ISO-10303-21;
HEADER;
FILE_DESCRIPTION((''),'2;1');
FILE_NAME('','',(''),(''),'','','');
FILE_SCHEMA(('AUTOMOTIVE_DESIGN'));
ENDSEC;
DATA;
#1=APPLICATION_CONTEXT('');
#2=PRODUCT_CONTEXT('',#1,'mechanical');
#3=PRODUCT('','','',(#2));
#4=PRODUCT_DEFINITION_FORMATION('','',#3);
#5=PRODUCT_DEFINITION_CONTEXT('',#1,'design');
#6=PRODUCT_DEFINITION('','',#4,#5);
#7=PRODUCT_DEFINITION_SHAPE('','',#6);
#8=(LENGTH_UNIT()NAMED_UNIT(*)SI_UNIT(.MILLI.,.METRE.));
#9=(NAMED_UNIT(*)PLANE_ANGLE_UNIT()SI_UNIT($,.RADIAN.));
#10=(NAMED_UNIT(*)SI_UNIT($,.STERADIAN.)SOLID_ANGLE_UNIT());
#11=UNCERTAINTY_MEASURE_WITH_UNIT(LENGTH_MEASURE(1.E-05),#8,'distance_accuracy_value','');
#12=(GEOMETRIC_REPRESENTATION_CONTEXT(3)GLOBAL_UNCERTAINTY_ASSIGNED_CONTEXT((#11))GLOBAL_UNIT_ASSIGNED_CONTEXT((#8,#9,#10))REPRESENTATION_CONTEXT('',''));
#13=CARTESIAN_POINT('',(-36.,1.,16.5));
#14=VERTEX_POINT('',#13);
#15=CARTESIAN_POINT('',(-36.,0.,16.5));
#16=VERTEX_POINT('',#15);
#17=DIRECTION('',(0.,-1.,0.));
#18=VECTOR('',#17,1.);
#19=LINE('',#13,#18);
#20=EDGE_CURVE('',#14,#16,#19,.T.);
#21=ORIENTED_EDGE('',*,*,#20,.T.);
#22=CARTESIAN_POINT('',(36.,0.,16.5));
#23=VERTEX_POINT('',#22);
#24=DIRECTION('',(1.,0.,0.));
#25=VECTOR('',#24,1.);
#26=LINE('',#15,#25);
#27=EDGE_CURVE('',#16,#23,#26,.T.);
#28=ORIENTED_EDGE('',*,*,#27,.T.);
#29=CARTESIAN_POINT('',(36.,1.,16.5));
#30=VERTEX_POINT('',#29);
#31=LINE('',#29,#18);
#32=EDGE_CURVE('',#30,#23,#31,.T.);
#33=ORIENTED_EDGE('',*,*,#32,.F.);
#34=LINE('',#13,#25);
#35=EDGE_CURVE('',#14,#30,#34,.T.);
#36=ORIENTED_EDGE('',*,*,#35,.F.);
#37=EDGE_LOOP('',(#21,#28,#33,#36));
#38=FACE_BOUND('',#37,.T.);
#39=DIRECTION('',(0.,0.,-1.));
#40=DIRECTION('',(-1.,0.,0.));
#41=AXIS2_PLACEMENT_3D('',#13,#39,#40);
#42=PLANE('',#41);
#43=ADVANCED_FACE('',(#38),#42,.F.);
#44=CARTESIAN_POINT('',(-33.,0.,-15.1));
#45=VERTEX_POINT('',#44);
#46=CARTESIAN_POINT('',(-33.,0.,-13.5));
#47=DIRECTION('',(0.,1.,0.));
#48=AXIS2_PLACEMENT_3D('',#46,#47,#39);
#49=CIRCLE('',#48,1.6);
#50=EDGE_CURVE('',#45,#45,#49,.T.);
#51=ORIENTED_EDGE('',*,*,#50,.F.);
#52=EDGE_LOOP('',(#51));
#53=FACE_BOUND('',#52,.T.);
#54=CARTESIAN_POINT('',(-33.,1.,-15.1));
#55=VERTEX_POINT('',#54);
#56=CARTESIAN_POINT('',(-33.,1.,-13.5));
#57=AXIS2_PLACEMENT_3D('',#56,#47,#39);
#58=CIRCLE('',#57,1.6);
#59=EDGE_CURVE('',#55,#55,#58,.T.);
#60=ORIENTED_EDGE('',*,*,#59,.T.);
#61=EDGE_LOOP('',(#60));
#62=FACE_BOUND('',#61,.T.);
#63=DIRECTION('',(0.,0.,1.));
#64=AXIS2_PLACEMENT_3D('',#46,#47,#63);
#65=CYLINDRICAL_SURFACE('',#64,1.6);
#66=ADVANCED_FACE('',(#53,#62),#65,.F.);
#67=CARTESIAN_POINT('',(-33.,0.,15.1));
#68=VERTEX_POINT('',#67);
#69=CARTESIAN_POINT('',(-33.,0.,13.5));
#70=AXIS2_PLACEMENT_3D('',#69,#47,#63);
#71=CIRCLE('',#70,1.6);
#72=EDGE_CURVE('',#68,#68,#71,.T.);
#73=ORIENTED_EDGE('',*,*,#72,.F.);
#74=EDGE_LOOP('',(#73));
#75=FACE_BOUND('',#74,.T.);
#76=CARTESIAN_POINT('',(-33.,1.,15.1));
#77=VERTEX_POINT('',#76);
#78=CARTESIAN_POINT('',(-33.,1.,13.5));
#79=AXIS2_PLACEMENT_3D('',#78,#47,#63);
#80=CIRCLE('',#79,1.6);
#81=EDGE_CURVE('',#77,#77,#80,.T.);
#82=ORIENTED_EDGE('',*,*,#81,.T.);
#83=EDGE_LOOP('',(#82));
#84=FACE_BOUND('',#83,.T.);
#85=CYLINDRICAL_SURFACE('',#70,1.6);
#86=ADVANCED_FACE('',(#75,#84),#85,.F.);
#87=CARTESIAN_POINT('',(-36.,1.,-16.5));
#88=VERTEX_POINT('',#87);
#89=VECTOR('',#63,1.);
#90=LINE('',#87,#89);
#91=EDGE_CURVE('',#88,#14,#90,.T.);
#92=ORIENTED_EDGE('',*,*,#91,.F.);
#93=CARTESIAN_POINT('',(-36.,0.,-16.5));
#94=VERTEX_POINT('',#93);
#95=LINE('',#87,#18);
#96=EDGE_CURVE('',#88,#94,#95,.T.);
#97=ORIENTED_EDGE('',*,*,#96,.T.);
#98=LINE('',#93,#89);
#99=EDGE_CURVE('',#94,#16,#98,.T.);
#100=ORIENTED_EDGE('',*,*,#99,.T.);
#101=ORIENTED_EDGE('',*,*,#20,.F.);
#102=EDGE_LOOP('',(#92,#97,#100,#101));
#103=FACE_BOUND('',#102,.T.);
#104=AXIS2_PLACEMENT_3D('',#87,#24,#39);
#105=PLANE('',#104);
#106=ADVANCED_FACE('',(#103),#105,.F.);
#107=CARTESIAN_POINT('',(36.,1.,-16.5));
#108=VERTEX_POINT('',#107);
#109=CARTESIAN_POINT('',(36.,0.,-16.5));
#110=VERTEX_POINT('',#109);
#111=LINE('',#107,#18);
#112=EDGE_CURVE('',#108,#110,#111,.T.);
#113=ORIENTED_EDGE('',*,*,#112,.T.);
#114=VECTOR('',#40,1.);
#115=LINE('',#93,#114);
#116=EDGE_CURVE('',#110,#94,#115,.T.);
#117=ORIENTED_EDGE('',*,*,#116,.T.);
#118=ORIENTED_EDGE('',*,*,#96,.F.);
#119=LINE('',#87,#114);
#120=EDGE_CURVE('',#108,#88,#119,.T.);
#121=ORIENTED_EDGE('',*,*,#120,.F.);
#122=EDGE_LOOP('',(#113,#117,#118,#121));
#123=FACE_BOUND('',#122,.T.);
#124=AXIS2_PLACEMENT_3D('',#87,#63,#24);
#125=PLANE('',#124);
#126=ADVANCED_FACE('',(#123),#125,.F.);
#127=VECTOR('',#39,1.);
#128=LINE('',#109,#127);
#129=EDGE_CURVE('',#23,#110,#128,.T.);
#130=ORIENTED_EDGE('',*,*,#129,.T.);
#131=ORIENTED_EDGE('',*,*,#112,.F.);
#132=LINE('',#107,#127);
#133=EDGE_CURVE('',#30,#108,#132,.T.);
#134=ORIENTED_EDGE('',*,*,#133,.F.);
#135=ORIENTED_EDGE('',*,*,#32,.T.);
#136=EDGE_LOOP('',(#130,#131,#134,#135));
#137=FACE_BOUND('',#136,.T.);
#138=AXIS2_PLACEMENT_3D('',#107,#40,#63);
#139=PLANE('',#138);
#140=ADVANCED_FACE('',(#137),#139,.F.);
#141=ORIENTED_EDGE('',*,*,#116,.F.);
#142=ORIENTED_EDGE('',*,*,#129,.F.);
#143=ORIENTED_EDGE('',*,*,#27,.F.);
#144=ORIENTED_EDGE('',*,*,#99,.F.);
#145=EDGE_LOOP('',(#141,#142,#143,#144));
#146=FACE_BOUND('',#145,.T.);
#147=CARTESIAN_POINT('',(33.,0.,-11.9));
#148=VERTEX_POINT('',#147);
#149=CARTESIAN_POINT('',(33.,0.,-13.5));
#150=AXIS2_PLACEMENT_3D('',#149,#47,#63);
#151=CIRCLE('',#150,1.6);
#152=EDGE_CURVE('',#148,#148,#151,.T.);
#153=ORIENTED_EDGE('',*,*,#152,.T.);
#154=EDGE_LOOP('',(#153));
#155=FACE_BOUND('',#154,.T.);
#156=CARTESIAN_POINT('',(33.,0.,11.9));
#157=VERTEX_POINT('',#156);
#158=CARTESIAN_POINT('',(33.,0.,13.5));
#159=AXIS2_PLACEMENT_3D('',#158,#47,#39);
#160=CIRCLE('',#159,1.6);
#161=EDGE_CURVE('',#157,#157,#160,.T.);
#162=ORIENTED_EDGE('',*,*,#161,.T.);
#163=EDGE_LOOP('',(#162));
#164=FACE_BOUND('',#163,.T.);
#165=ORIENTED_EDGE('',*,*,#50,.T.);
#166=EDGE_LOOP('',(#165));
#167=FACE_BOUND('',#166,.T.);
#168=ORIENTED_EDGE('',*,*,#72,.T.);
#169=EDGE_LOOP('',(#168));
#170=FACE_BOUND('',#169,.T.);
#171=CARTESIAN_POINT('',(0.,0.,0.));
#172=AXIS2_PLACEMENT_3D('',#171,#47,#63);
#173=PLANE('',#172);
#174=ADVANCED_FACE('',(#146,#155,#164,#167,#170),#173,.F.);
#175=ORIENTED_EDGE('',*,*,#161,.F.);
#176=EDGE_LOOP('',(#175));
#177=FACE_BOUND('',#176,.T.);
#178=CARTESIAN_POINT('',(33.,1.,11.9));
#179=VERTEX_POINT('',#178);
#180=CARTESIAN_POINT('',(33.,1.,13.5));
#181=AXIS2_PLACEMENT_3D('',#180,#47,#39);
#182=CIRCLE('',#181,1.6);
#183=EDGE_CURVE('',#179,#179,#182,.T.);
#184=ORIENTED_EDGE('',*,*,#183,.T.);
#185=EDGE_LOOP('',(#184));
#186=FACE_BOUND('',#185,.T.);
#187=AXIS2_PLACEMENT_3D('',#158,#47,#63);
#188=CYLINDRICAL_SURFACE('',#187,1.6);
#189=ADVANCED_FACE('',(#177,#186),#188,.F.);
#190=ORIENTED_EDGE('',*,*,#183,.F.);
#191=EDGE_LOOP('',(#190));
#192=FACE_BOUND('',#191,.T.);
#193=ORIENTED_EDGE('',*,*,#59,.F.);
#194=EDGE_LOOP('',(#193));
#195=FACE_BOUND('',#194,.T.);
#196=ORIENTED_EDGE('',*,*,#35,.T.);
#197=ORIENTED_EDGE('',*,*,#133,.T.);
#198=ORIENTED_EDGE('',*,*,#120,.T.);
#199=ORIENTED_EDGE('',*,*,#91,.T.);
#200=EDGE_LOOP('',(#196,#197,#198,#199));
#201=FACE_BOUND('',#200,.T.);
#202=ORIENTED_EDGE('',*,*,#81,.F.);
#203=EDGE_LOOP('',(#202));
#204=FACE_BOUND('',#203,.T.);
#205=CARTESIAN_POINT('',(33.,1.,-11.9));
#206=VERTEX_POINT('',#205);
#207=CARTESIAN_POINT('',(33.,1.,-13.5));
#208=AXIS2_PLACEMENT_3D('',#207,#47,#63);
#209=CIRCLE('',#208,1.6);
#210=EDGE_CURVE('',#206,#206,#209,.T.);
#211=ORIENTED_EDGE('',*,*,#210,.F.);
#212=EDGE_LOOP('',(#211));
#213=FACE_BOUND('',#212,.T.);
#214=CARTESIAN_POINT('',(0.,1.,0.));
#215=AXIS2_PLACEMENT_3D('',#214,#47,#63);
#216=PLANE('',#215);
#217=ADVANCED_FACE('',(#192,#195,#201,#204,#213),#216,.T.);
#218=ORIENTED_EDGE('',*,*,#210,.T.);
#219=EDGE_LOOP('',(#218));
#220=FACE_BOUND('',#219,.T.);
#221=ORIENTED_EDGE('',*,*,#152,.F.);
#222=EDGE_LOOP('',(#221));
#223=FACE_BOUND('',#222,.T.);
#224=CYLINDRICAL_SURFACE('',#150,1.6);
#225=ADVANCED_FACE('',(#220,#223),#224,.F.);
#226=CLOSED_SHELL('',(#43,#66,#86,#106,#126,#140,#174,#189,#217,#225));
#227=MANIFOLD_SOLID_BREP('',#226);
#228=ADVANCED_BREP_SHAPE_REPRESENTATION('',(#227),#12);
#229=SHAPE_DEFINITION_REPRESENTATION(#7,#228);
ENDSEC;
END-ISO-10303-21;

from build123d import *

# Parameters (mm, degrees)
SKETCH_2_W          = 72
SKETCH_2_H          = 33
EXTRUDE_1_DEPTH     = 1
SKETCH_3_R          = 1.6
CUT_EXTRUDE_1_DEPTH = 2


with BuildPart() as part:
    # ｽｹｯﾁ2 → ﾎﾞｽ - 押し出し1 (new body)
    with BuildSketch(Plane(origin=(0, 0, 0), x_dir=(1, 0, 0), z_dir=(0, 1, 0))):
        Rectangle(SKETCH_2_W, SKETCH_2_H)
    extrude(amount=EXTRUDE_1_DEPTH)

    # ｽｹｯﾁ3 → ｶｯﾄ - 押し出し1 (cut, through all)
    with BuildSketch(Plane(origin=(0, 1, 0), x_dir=(1, 0, 0), z_dir=(0, 1, 0))):
        with Locations((33, 13.5)):
            Circle(SKETCH_3_R)
        with Locations((33, -13.5)):
            Circle(SKETCH_3_R)
        with Locations((-33, -13.5)):
            Circle(SKETCH_3_R)
        with Locations((-33, 13.5)):
            Circle(SKETCH_3_R)
    extrude(amount=-CUT_EXTRUDE_1_DEPTH, mode=Mode.SUBTRACT)


solid = part.part
